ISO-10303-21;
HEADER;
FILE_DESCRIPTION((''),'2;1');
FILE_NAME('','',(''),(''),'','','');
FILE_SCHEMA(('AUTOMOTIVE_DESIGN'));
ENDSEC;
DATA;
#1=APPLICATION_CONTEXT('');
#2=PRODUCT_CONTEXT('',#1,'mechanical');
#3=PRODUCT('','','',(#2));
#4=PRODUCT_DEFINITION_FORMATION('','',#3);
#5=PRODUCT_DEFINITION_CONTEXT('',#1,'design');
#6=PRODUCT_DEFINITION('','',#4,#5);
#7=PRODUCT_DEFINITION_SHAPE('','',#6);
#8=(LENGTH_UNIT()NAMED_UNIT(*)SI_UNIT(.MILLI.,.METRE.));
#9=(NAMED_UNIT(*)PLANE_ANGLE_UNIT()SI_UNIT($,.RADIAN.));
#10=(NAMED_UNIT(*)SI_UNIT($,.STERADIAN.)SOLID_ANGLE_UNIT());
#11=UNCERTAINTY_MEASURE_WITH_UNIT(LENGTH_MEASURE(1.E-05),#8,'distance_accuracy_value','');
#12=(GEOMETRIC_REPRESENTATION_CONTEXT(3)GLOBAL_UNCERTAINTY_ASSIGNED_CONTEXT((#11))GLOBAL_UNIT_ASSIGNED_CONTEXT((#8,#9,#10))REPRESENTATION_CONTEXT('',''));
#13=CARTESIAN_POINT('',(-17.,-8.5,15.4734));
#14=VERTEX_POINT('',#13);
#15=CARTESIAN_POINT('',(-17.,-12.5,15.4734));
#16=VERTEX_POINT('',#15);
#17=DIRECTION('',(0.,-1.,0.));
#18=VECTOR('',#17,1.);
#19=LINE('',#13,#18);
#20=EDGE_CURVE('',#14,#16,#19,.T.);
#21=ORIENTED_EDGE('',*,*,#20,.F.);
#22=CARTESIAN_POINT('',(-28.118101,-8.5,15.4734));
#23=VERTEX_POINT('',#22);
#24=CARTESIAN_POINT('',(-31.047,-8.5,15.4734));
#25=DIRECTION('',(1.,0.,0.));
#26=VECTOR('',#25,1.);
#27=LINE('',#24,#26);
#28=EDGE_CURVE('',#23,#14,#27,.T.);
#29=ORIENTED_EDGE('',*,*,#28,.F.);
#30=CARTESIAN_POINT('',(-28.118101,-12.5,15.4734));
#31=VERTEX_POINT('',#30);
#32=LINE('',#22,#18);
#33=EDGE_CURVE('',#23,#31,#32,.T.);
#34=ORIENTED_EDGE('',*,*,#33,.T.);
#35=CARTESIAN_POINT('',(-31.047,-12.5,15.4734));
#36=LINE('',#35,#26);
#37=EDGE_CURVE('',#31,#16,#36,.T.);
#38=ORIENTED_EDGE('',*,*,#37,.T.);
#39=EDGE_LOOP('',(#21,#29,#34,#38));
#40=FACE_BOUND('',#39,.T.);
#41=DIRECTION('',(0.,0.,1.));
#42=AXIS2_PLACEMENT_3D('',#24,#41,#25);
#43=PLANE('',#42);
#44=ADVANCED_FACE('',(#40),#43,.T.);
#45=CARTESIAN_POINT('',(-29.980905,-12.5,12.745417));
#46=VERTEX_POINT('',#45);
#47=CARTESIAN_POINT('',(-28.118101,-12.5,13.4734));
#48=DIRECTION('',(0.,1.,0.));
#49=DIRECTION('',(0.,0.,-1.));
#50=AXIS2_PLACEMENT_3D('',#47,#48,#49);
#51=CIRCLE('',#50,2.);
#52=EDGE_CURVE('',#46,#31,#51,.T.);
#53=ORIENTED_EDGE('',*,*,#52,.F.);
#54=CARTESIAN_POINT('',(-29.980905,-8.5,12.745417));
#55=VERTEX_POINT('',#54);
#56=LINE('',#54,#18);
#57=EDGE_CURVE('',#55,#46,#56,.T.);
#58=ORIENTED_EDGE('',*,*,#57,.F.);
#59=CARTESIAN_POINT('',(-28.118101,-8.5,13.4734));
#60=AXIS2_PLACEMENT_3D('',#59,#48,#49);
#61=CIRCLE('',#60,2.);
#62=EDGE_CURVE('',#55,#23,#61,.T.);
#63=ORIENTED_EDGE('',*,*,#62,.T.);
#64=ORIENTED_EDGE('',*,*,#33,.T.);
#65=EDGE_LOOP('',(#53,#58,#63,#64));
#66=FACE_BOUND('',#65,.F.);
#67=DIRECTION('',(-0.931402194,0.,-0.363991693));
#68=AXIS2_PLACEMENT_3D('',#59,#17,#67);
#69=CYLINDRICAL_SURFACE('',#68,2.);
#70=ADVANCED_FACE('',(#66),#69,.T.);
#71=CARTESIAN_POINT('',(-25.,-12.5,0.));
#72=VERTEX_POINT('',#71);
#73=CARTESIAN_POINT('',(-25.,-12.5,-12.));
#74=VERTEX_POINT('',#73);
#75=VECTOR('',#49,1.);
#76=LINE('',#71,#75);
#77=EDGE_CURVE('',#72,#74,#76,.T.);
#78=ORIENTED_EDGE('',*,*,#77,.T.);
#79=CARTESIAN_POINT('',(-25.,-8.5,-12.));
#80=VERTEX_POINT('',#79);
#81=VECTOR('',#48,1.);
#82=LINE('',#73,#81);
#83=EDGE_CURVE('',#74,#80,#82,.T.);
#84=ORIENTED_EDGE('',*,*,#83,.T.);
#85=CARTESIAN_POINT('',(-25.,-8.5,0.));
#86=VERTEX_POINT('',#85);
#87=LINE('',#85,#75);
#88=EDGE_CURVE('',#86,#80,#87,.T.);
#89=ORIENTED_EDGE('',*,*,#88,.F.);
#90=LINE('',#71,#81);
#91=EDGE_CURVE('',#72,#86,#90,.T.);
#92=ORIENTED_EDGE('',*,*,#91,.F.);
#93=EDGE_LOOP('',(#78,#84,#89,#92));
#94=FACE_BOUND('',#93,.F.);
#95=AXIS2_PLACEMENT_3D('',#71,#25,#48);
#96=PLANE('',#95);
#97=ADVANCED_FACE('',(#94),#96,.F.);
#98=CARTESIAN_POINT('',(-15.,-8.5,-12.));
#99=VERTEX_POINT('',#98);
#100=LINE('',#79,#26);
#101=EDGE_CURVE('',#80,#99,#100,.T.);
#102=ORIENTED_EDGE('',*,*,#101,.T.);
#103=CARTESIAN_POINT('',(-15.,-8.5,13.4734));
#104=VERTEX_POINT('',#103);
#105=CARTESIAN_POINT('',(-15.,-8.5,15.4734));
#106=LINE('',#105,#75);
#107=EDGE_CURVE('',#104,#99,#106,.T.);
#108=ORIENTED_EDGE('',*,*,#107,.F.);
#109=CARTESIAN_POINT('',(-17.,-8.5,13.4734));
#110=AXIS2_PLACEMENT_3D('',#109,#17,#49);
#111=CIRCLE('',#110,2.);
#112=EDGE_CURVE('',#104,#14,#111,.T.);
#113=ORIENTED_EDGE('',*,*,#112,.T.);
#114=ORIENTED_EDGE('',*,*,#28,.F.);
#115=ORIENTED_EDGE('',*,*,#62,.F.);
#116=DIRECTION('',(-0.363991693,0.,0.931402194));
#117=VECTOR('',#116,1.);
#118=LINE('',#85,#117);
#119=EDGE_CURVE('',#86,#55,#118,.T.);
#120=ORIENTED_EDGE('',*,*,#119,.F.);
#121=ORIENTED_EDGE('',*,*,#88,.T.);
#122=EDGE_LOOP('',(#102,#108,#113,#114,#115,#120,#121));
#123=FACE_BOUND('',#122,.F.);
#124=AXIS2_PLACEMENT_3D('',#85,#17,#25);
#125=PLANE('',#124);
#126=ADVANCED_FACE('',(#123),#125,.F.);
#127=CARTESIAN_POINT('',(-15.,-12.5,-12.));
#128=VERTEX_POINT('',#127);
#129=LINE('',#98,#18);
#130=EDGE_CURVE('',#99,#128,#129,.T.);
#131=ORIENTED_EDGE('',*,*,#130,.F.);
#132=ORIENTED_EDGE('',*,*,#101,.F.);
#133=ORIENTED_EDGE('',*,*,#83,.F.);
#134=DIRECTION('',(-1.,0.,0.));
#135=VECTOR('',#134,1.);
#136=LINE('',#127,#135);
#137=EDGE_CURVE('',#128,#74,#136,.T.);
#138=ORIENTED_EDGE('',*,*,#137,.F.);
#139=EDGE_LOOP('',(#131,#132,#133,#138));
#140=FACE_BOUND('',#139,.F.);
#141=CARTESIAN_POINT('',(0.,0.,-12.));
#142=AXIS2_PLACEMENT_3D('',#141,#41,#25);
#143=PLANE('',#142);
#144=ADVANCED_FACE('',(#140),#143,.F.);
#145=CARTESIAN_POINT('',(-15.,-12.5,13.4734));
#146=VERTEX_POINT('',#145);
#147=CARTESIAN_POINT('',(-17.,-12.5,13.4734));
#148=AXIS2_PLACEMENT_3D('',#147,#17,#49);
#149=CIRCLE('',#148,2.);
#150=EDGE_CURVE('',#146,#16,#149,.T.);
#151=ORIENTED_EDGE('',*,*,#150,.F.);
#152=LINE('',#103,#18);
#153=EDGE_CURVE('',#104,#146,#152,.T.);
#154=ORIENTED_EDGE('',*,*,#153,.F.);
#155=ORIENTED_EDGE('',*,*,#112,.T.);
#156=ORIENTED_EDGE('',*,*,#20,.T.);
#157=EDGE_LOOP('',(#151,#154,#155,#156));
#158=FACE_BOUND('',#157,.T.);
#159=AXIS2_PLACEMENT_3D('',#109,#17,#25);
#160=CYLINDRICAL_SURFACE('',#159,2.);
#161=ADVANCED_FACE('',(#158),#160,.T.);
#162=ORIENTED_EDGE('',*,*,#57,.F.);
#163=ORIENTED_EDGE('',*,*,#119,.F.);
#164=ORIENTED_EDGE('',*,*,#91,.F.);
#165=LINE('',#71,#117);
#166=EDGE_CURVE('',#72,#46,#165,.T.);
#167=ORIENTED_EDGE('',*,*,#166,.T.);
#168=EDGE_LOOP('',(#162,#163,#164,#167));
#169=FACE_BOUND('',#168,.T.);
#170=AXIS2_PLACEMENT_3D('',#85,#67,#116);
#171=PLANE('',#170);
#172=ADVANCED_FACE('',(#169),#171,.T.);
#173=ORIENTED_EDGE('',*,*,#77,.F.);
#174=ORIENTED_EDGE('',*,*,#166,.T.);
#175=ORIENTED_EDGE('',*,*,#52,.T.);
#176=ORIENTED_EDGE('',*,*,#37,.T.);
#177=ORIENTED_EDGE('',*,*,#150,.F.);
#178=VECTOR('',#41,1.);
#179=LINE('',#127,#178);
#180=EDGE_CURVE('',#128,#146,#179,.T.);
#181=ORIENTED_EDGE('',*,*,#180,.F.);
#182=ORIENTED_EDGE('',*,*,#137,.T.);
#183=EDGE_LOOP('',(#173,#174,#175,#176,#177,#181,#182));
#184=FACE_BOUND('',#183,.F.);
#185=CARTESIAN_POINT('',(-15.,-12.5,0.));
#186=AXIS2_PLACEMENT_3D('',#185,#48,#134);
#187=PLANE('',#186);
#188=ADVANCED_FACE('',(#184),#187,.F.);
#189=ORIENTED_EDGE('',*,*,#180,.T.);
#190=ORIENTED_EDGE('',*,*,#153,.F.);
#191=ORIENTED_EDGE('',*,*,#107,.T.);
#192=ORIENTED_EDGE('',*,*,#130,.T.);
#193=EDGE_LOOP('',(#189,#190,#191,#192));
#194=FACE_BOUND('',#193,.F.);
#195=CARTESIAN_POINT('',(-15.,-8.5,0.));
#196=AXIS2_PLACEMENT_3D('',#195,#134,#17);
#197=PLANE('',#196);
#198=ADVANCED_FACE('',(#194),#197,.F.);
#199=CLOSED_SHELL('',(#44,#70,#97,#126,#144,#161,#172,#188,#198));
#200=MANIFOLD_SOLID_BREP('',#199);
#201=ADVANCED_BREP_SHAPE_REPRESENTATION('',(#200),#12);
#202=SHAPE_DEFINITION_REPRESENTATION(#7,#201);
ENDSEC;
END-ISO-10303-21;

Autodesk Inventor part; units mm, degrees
ref_plane "YZ Plane" through (0, 0, 0) normal (1, 0, 0) x (0, 1, 0)
ref_plane "XZ Plane" through (0, 0, 0) normal (0, 1, 0) x (-1, 0, 0)
ref_plane "XY Plane" through (0, 0, 0) normal (0, 0, 1) x (1, 0, 0)
sketch "Эскиз1" plane through (0, 0, 0) normal (0, 0, 1) x (1, 0, 0)
  line L0 (-25, -12.5) -> (-25, -8.5) projected
  line L1 (-15, -12.5) -> (-25, -12.5) projected
  line L2 (-25, -8.5) -> (-15, -8.5) projected
  line L3 (-15, -8.5) -> (-15, -12.5) projected
  point P0 (0, 0)
extrude "Выдавливание1" add sketch "Эскиз1" against normal blind 12
sketch "Эскиз2" plane through (-25, -8.5, 0) normal (0, 1, 0) x (1, 0, 0)
  line L0 (-6.047, -15.4734) -> (10, -15.4734)
  line L1 (10, -15.4734) -> (10, 0)
  line L2 (0, 0) -> (10, 0) projected
  line L3 (0, 0) -> (-6.047, -15.4734)
  line L4 (0, 0) -> (10, 0)
  point P0 (25, 0)
extrude "Выдавливание2" add sketch "Эскиз2" against normal blind 4
fillet "Сопряжение1" radius 2 2 edges at (-15, -10.5, 15.4734) (-31.047, -10.5, 15.4734)
properties part number "footbtn"
